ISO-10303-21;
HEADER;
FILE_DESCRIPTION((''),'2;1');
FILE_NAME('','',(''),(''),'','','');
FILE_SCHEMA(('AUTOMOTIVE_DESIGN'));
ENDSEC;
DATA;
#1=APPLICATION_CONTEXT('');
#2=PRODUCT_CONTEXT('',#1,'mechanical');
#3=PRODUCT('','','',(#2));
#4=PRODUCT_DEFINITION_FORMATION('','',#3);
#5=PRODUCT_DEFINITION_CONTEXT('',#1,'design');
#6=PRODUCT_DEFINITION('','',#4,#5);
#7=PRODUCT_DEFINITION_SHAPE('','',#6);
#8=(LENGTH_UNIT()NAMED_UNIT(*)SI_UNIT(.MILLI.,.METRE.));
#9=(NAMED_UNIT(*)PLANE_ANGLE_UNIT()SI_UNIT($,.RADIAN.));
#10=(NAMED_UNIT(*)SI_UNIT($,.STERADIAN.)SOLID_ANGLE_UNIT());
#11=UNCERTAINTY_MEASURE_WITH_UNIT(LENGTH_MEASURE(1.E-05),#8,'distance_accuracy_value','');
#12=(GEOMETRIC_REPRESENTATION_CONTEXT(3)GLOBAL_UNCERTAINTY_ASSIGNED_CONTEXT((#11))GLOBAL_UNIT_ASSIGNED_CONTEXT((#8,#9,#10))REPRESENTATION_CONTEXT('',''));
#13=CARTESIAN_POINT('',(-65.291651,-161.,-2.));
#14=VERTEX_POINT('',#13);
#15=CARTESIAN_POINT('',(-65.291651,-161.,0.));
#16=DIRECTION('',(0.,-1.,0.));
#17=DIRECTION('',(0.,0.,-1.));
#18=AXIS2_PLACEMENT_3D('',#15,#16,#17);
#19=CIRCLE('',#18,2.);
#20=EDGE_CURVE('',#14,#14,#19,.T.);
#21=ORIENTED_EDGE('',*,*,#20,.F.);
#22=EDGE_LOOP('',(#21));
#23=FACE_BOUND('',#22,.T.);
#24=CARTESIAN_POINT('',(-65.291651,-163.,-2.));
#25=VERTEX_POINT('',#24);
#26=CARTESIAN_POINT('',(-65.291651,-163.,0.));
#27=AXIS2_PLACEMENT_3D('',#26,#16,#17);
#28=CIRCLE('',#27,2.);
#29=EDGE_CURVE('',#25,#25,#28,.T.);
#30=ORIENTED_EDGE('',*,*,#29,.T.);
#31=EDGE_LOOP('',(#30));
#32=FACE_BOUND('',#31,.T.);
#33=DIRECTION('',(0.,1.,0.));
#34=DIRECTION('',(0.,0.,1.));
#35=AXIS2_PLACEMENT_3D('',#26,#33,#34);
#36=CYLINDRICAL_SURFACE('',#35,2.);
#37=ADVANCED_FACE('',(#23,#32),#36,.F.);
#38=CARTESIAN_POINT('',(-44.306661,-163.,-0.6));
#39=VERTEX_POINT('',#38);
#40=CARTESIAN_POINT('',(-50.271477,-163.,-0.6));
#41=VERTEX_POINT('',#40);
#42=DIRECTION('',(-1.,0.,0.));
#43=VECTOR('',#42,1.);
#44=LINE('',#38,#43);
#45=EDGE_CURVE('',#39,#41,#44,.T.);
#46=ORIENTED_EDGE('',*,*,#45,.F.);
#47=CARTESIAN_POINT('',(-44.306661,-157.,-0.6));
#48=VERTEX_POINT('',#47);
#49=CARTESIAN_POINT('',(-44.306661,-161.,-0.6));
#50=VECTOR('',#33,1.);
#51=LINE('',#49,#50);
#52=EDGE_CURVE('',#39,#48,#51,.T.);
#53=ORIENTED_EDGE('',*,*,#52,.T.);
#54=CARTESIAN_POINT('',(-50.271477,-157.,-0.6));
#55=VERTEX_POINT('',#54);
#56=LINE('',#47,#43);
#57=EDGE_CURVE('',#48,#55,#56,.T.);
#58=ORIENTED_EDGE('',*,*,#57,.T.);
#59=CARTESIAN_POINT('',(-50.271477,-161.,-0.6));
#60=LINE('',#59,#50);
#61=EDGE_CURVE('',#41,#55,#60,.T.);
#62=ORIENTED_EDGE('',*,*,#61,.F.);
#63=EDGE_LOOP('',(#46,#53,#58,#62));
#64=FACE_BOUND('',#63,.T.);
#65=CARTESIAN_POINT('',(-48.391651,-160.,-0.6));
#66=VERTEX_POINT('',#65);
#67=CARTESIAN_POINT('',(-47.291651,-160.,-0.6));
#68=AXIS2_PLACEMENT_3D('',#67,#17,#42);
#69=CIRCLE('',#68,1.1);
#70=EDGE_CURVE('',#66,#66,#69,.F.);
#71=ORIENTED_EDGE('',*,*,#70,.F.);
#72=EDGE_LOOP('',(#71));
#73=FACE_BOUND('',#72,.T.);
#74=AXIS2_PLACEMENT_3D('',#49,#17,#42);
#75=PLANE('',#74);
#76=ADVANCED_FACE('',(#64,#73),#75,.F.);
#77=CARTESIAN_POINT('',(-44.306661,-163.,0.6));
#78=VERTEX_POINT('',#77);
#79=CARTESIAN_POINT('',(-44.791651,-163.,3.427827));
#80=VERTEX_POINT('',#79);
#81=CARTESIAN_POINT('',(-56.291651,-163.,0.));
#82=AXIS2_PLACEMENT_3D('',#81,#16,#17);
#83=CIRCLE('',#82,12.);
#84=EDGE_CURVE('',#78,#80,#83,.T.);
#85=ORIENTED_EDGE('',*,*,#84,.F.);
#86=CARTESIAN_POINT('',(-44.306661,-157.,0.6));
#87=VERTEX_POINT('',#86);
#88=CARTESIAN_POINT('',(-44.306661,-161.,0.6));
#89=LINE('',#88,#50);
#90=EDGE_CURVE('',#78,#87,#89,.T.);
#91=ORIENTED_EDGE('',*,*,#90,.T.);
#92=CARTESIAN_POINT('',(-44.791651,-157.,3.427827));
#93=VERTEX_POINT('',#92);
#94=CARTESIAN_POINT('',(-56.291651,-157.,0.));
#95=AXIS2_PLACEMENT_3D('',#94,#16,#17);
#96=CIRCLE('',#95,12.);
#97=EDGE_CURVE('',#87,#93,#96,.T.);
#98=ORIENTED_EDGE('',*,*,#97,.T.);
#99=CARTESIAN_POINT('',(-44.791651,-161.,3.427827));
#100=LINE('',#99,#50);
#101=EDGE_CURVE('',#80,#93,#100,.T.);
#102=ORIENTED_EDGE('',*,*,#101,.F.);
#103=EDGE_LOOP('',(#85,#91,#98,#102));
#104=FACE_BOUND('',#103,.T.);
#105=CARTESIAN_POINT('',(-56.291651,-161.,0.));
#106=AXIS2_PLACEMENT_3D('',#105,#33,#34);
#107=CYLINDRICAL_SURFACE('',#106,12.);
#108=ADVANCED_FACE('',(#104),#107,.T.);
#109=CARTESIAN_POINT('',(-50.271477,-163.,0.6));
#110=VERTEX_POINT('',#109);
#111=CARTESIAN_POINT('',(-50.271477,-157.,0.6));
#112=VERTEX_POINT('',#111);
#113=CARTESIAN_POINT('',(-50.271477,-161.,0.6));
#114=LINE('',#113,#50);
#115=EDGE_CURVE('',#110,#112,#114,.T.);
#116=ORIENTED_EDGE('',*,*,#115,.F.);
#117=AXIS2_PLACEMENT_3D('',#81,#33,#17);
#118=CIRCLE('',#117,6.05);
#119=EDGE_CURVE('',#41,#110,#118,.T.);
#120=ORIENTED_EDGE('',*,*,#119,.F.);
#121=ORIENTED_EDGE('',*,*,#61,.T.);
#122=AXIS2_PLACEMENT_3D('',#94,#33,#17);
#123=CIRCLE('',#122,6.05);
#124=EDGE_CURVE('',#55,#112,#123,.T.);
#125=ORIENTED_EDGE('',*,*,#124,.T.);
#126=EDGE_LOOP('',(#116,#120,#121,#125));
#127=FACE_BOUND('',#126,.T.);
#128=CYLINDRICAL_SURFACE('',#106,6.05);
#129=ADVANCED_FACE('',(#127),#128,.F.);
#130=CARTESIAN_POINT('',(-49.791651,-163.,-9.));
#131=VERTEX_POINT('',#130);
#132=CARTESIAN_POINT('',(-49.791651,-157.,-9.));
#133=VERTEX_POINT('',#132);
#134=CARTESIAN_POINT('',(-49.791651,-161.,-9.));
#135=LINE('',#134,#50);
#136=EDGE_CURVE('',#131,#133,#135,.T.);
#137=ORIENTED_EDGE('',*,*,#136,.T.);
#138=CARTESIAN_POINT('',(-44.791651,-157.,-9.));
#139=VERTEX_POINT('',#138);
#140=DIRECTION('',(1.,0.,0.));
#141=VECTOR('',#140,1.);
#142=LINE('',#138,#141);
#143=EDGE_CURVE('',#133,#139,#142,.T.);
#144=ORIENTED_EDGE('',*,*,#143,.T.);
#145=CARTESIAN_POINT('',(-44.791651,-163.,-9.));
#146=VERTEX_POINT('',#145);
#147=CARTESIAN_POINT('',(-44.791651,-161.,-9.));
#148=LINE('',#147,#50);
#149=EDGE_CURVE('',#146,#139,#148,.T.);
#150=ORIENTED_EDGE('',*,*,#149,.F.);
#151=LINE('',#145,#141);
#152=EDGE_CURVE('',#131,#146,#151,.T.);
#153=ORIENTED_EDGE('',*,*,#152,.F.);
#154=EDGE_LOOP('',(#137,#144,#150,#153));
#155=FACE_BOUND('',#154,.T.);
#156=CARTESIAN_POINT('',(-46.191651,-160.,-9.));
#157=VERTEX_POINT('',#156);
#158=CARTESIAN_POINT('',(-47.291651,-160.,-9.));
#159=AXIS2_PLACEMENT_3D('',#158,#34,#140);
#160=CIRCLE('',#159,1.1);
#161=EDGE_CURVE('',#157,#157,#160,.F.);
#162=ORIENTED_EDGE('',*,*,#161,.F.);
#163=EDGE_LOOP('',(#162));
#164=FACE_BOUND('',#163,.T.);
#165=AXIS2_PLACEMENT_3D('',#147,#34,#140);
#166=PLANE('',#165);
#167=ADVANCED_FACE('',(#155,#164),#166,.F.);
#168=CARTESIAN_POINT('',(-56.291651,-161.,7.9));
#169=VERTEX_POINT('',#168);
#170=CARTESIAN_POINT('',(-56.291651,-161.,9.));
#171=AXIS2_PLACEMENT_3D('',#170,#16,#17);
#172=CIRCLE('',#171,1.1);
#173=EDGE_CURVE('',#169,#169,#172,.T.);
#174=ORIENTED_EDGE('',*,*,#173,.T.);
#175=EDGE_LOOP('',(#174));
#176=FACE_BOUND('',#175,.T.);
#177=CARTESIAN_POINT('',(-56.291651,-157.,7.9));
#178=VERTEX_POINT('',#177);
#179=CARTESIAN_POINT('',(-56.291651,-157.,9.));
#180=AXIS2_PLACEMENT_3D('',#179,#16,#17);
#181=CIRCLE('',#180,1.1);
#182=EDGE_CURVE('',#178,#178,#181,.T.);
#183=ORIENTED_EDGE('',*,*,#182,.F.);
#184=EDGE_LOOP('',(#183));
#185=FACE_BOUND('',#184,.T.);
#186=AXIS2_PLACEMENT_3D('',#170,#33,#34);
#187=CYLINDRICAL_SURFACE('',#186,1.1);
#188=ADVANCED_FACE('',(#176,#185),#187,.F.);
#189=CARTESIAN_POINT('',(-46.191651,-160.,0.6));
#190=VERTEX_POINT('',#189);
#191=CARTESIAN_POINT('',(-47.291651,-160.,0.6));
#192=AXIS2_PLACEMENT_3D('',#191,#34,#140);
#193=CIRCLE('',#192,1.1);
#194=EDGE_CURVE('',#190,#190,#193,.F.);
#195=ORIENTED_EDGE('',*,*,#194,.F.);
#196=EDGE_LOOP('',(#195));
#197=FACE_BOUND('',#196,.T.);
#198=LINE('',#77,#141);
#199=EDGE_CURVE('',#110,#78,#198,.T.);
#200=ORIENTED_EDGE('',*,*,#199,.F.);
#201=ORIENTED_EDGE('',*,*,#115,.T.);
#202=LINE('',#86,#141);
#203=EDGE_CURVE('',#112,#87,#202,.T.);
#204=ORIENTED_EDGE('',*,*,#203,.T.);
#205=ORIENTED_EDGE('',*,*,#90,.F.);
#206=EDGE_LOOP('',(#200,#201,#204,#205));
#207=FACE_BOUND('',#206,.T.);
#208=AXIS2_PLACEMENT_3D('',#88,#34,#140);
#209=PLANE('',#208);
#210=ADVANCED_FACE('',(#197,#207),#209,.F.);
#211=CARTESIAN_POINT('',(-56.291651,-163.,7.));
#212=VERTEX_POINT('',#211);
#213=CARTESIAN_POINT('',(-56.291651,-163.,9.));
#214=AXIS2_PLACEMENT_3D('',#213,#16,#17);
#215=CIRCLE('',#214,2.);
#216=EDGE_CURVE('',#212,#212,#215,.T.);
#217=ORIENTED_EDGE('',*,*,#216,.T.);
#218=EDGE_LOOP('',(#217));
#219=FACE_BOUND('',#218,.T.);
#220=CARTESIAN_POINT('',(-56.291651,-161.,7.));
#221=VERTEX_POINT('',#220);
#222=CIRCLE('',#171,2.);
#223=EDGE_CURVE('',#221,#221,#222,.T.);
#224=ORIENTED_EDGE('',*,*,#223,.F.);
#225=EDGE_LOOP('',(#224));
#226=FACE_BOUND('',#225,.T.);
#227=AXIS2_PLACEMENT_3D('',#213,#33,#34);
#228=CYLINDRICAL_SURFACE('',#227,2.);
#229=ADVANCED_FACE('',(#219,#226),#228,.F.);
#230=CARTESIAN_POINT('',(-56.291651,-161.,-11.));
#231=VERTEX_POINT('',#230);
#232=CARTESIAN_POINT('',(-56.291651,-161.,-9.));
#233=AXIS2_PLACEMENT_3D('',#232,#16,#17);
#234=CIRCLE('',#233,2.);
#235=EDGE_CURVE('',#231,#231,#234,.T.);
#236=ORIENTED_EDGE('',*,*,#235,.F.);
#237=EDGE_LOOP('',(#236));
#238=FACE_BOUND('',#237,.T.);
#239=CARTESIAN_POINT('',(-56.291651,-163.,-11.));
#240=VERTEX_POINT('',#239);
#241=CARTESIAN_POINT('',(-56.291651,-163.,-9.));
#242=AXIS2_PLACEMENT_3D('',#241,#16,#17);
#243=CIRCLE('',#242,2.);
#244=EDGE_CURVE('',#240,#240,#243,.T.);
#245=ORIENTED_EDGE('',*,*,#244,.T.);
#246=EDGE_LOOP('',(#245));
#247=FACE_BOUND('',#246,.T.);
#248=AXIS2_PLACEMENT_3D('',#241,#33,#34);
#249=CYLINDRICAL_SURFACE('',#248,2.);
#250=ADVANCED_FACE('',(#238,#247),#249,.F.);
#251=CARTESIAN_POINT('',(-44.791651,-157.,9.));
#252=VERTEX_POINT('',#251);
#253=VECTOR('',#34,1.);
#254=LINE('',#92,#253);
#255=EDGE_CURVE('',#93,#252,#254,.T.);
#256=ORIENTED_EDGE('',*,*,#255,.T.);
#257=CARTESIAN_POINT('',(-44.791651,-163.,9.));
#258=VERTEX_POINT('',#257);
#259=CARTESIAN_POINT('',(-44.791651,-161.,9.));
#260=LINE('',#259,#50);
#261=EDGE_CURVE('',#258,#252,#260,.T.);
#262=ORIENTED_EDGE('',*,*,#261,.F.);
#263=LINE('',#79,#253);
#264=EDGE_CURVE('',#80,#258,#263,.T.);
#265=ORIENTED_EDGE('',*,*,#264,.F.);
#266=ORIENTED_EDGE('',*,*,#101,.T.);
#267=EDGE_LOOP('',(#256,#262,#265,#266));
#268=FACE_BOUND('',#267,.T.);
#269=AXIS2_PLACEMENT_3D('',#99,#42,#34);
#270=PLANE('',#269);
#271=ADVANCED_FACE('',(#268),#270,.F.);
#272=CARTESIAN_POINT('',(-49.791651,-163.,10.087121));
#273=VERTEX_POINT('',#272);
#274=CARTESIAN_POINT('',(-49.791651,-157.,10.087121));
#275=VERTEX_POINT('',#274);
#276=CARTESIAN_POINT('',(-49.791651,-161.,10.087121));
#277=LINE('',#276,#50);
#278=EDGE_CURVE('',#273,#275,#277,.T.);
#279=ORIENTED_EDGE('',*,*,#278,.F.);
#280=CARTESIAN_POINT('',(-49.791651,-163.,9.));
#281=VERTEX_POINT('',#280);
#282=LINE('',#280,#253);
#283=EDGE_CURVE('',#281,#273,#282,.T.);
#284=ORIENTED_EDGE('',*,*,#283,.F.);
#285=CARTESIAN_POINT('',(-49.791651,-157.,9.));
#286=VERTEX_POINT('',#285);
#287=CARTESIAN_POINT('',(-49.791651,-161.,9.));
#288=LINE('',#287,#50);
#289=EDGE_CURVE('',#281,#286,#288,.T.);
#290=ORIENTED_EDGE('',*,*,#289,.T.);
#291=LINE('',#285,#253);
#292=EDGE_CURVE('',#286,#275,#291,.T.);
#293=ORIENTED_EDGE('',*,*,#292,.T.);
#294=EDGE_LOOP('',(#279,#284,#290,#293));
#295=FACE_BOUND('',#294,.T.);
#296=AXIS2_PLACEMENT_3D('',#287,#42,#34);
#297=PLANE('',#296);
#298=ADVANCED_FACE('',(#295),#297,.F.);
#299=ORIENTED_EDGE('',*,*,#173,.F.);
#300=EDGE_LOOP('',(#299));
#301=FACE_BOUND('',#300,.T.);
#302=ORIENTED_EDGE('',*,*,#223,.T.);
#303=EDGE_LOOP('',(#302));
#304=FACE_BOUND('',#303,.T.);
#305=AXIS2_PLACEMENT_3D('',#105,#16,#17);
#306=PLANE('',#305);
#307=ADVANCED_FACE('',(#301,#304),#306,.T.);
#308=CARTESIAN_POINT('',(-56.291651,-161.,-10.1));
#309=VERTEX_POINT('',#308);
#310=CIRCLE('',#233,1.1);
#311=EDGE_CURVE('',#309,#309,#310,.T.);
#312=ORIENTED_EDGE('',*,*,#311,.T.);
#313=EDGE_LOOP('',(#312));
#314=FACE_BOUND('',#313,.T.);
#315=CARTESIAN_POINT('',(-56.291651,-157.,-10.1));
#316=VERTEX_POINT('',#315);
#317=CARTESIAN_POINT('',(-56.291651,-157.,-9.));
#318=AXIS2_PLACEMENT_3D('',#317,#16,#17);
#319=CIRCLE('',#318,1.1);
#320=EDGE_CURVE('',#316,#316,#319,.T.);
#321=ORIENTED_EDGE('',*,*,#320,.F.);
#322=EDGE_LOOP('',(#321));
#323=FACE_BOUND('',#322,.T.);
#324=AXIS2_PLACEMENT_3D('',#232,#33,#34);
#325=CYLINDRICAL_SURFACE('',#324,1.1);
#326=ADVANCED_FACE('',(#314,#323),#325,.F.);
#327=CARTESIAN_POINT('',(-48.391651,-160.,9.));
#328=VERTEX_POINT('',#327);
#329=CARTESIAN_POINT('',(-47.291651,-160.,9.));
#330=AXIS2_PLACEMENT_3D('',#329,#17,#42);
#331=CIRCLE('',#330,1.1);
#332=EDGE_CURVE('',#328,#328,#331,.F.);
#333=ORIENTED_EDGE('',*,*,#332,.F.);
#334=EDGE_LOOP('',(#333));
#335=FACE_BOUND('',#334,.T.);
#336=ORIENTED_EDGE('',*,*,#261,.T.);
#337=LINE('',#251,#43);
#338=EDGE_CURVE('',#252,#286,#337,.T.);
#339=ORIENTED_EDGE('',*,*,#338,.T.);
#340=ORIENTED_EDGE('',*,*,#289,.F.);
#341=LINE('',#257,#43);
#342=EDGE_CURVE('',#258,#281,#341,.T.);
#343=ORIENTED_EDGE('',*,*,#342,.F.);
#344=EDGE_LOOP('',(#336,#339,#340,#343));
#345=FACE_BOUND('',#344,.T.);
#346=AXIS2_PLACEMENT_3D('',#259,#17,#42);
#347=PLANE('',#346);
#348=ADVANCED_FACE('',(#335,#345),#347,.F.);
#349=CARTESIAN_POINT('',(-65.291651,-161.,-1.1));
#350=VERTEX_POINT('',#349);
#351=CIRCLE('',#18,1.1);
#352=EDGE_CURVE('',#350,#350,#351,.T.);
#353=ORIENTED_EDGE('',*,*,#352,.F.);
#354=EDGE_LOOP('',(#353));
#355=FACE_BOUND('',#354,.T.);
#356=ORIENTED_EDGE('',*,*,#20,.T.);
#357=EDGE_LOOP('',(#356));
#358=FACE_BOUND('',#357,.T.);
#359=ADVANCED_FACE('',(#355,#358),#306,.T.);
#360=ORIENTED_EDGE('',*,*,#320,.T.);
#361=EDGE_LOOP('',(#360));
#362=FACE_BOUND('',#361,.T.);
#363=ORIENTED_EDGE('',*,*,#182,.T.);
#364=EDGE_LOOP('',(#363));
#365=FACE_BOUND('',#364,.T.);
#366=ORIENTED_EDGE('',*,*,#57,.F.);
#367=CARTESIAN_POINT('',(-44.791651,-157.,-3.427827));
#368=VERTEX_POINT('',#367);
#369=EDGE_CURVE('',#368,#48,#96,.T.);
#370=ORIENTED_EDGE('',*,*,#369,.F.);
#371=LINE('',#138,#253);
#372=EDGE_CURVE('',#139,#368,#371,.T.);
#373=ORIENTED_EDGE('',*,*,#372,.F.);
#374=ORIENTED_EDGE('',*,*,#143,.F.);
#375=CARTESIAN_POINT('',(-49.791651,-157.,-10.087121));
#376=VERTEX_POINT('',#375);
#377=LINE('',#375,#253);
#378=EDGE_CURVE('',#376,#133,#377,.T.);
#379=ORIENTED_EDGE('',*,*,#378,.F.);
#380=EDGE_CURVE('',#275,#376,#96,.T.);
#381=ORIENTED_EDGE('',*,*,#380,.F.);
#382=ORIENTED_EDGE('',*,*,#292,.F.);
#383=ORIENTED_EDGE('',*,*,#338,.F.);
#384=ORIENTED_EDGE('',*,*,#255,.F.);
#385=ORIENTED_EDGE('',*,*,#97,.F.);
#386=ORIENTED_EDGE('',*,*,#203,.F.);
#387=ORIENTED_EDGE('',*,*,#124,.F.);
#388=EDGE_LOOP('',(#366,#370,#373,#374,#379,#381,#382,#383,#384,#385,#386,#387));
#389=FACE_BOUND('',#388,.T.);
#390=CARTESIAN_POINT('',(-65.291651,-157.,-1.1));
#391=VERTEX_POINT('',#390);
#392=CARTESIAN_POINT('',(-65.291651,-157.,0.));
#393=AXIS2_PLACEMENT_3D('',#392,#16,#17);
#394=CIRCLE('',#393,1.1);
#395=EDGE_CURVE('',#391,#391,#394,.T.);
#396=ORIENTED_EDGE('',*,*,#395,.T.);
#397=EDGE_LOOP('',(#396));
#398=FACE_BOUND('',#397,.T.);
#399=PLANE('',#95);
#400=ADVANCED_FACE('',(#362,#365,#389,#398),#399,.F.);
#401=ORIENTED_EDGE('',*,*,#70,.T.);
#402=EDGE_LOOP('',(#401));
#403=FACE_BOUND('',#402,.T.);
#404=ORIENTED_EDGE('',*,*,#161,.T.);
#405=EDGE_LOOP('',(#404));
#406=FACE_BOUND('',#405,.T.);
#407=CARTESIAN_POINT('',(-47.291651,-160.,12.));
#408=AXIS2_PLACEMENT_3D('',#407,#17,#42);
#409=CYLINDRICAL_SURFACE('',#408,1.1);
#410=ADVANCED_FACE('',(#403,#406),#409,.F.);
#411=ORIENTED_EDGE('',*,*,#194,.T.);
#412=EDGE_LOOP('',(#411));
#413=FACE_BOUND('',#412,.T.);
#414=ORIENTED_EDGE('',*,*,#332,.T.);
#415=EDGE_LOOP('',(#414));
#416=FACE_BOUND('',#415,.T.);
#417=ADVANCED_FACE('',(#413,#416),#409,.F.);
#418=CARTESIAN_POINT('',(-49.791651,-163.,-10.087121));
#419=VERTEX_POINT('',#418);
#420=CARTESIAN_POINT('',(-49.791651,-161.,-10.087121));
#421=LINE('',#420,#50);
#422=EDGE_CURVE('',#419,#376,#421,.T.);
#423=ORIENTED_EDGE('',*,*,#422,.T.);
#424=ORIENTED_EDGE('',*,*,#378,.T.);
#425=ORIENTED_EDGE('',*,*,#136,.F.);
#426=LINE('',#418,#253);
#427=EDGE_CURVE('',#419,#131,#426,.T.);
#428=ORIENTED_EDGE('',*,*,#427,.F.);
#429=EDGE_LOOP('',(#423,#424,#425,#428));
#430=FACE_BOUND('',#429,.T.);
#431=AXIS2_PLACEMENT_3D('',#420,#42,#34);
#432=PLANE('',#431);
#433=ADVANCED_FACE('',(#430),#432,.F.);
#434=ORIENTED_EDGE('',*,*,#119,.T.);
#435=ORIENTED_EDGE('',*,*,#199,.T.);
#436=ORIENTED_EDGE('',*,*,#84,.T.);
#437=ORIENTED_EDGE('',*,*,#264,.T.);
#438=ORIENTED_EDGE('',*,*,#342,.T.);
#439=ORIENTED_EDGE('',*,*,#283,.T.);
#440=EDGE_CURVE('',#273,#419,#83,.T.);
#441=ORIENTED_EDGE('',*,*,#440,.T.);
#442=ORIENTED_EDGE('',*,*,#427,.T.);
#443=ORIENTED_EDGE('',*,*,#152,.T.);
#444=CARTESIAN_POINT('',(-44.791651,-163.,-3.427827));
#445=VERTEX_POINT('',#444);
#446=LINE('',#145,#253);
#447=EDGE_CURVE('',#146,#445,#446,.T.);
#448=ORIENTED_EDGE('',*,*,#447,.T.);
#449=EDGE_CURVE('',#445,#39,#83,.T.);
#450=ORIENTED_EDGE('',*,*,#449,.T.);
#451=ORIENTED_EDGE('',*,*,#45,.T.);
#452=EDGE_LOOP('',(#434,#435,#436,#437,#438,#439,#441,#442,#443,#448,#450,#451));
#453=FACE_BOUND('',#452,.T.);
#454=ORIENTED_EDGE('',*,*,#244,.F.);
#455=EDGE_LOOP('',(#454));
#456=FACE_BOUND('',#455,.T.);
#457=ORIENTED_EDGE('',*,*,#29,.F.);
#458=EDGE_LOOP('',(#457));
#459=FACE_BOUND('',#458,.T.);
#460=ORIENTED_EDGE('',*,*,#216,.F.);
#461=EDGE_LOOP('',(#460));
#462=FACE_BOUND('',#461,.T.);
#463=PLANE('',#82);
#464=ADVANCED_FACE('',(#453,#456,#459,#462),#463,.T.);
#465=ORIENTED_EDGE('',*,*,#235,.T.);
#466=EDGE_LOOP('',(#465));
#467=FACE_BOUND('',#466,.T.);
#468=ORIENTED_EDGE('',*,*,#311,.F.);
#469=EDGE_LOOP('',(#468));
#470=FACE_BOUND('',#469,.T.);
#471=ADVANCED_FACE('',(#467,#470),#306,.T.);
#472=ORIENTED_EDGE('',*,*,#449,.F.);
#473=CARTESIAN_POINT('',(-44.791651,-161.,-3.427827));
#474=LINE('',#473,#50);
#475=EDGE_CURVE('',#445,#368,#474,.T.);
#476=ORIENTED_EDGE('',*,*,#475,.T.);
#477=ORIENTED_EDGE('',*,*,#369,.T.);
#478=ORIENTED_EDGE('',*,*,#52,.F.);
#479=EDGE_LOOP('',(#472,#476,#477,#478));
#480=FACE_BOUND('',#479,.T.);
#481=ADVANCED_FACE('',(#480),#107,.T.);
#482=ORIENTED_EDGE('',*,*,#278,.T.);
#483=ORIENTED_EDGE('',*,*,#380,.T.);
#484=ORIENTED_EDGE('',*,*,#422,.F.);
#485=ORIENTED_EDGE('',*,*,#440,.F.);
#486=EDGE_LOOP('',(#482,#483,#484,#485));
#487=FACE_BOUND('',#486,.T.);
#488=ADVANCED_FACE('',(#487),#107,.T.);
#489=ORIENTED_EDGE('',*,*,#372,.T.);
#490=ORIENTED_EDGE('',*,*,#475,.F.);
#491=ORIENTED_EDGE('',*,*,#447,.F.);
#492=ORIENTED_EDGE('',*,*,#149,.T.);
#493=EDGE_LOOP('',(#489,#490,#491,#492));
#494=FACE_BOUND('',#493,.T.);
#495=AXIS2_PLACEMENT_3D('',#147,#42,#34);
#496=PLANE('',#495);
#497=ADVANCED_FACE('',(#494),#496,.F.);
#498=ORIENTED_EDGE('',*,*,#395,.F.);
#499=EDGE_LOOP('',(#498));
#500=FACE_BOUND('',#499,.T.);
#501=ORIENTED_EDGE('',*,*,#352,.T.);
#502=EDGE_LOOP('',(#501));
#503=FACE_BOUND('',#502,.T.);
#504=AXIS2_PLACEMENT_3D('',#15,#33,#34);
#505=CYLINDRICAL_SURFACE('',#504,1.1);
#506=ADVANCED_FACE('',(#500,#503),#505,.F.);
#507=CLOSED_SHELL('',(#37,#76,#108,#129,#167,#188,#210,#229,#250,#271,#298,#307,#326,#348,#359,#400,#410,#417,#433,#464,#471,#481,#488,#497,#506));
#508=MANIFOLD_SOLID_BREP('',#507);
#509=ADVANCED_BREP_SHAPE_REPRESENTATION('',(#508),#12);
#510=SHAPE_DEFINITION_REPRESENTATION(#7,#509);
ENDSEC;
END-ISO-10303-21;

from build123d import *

# Parameters (mm, degrees)
MAIN_PROFILE_SKETCH_R          = 1.1
MAIN_EXTRUSION_DEPTH           = 4
DETAIL_PROFILE_2_SKETCH_R      = 2
DETAIL_EXTRUSION_2_DEPTH       = 2
CROSS_BOLT_CLEARANCE_PROFILE_R = 1.1
CROSS_BOLT_CLEARANCE_DEPTH     = 24


with BuildPart() as part:
    # Main Profile Sketch → Main Extrusion (new body)
    with BuildSketch(Plane(origin=(0, -157, 0), x_dir=(-1, 0, 0), z_dir=(0, -1, 0))):
        with BuildLine():
            Line((44.791651246, -3.4278273), (44.791651246, -9))
            Line((44.791651246, -9), (49.791651246, -9))
            Line((49.791651246, -9), (49.791651246, -10.087120501))
            ThreePointArc((49.791651246, -10.087120501), (68.291651246, 0), (49.791651246, 10.087120501))
            Line((49.791651246, 10.087120501), (49.791651246, 9))
            Line((49.791651246, 9), (44.791651246, 9))
            Line((44.791651246, 9), (44.791651246, 3.4278273))
            ThreePointArc((44.791651246, 3.4278273), (44.46433761, 2.02846054), (44.306660633, 0.6))
            Line((44.306660633, 0.6), (50.27147683, 0.6))
            ThreePointArc((50.27147683, 0.6), (62.341651246, 0), (50.27147683, -0.6))
            Line((50.27147683, -0.6), (44.306660633, -0.6))
            ThreePointArc((44.306660633, -0.6), (44.46433761, -2.02846054), (44.791651246, -3.4278273))
        make_face()
        with Locations(Location((65.291651246, 0, 0), (0, 0, 90))):
            Circle(MAIN_PROFILE_SKETCH_R, mode=Mode.SUBTRACT)
        with Locations(Location((56.291651246, 9, 0), (0, 0, 90))):
            Circle(MAIN_PROFILE_SKETCH_R, mode=Mode.SUBTRACT)
        with Locations(Location((56.291651246, -9, 0), (0, 0, 90))):
            Circle(MAIN_PROFILE_SKETCH_R, mode=Mode.SUBTRACT)
    extrude(amount=MAIN_EXTRUSION_DEPTH)

    # Detail Profile 2 Sketch → Detail Extrusion 2 (add)
    with BuildSketch(Plane(origin=(0, -161, 0), x_dir=(-1, 0, 0), z_dir=(0, -1, 0))):
        with BuildLine():
            Line((44.791651246, -3.4278273), (44.791651246, -9))
            Line((44.791651246, -9), (49.791651246, -9))
            Line((49.791651246, -9), (49.791651246, -10.087120501))
            ThreePointArc((49.791651246, -10.087120501), (68.291651246, 0), (49.791651246, 10.087120501))
            Line((49.791651246, 10.087120501), (49.791651246, 9))
            Line((49.791651246, 9), (44.791651246, 9))
            Line((44.791651246, 9), (44.791651246, 3.4278273))
            ThreePointArc((44.791651246, 3.4278273), (44.46433761, 2.02846054), (44.306660633, 0.6))
            Line((44.306660633, 0.6), (50.27147683, 0.6))
            ThreePointArc((50.27147683, 0.6), (62.341651246, 0), (50.27147683, -0.6))
            Line((50.27147683, -0.6), (44.306660633, -0.6))
            ThreePointArc((44.306660633, -0.6), (44.46433761, -2.02846054), (44.791651246, -3.4278273))
        make_face()
        with Locations(Location((65.291651246, 0, 0), (0, 0, 90))):
            Circle(DETAIL_PROFILE_2_SKETCH_R, mode=Mode.SUBTRACT)
        with Locations(Location((56.291651246, 9, 0), (0, 0, 90))):
            Circle(DETAIL_PROFILE_2_SKETCH_R, mode=Mode.SUBTRACT)
        with Locations(Location((56.291651246, -9, 0), (0, 0, 90))):
            Circle(DETAIL_PROFILE_2_SKETCH_R, mode=Mode.SUBTRACT)
    extrude(amount=DETAIL_EXTRUSION_2_DEPTH)

    # Cross Bolt Clearance profile → Cross Bolt Clearance (cut)
    with BuildSketch(Plane.XY.offset(-12)):
        with Locations(Location((-47.291651246, -160, 0), (0, 0, 180))):
            Circle(CROSS_BOLT_CLEARANCE_PROFILE_R)
    extrude(amount=CROSS_BOLT_CLEARANCE_DEPTH, mode=Mode.SUBTRACT)


solid = part.part
